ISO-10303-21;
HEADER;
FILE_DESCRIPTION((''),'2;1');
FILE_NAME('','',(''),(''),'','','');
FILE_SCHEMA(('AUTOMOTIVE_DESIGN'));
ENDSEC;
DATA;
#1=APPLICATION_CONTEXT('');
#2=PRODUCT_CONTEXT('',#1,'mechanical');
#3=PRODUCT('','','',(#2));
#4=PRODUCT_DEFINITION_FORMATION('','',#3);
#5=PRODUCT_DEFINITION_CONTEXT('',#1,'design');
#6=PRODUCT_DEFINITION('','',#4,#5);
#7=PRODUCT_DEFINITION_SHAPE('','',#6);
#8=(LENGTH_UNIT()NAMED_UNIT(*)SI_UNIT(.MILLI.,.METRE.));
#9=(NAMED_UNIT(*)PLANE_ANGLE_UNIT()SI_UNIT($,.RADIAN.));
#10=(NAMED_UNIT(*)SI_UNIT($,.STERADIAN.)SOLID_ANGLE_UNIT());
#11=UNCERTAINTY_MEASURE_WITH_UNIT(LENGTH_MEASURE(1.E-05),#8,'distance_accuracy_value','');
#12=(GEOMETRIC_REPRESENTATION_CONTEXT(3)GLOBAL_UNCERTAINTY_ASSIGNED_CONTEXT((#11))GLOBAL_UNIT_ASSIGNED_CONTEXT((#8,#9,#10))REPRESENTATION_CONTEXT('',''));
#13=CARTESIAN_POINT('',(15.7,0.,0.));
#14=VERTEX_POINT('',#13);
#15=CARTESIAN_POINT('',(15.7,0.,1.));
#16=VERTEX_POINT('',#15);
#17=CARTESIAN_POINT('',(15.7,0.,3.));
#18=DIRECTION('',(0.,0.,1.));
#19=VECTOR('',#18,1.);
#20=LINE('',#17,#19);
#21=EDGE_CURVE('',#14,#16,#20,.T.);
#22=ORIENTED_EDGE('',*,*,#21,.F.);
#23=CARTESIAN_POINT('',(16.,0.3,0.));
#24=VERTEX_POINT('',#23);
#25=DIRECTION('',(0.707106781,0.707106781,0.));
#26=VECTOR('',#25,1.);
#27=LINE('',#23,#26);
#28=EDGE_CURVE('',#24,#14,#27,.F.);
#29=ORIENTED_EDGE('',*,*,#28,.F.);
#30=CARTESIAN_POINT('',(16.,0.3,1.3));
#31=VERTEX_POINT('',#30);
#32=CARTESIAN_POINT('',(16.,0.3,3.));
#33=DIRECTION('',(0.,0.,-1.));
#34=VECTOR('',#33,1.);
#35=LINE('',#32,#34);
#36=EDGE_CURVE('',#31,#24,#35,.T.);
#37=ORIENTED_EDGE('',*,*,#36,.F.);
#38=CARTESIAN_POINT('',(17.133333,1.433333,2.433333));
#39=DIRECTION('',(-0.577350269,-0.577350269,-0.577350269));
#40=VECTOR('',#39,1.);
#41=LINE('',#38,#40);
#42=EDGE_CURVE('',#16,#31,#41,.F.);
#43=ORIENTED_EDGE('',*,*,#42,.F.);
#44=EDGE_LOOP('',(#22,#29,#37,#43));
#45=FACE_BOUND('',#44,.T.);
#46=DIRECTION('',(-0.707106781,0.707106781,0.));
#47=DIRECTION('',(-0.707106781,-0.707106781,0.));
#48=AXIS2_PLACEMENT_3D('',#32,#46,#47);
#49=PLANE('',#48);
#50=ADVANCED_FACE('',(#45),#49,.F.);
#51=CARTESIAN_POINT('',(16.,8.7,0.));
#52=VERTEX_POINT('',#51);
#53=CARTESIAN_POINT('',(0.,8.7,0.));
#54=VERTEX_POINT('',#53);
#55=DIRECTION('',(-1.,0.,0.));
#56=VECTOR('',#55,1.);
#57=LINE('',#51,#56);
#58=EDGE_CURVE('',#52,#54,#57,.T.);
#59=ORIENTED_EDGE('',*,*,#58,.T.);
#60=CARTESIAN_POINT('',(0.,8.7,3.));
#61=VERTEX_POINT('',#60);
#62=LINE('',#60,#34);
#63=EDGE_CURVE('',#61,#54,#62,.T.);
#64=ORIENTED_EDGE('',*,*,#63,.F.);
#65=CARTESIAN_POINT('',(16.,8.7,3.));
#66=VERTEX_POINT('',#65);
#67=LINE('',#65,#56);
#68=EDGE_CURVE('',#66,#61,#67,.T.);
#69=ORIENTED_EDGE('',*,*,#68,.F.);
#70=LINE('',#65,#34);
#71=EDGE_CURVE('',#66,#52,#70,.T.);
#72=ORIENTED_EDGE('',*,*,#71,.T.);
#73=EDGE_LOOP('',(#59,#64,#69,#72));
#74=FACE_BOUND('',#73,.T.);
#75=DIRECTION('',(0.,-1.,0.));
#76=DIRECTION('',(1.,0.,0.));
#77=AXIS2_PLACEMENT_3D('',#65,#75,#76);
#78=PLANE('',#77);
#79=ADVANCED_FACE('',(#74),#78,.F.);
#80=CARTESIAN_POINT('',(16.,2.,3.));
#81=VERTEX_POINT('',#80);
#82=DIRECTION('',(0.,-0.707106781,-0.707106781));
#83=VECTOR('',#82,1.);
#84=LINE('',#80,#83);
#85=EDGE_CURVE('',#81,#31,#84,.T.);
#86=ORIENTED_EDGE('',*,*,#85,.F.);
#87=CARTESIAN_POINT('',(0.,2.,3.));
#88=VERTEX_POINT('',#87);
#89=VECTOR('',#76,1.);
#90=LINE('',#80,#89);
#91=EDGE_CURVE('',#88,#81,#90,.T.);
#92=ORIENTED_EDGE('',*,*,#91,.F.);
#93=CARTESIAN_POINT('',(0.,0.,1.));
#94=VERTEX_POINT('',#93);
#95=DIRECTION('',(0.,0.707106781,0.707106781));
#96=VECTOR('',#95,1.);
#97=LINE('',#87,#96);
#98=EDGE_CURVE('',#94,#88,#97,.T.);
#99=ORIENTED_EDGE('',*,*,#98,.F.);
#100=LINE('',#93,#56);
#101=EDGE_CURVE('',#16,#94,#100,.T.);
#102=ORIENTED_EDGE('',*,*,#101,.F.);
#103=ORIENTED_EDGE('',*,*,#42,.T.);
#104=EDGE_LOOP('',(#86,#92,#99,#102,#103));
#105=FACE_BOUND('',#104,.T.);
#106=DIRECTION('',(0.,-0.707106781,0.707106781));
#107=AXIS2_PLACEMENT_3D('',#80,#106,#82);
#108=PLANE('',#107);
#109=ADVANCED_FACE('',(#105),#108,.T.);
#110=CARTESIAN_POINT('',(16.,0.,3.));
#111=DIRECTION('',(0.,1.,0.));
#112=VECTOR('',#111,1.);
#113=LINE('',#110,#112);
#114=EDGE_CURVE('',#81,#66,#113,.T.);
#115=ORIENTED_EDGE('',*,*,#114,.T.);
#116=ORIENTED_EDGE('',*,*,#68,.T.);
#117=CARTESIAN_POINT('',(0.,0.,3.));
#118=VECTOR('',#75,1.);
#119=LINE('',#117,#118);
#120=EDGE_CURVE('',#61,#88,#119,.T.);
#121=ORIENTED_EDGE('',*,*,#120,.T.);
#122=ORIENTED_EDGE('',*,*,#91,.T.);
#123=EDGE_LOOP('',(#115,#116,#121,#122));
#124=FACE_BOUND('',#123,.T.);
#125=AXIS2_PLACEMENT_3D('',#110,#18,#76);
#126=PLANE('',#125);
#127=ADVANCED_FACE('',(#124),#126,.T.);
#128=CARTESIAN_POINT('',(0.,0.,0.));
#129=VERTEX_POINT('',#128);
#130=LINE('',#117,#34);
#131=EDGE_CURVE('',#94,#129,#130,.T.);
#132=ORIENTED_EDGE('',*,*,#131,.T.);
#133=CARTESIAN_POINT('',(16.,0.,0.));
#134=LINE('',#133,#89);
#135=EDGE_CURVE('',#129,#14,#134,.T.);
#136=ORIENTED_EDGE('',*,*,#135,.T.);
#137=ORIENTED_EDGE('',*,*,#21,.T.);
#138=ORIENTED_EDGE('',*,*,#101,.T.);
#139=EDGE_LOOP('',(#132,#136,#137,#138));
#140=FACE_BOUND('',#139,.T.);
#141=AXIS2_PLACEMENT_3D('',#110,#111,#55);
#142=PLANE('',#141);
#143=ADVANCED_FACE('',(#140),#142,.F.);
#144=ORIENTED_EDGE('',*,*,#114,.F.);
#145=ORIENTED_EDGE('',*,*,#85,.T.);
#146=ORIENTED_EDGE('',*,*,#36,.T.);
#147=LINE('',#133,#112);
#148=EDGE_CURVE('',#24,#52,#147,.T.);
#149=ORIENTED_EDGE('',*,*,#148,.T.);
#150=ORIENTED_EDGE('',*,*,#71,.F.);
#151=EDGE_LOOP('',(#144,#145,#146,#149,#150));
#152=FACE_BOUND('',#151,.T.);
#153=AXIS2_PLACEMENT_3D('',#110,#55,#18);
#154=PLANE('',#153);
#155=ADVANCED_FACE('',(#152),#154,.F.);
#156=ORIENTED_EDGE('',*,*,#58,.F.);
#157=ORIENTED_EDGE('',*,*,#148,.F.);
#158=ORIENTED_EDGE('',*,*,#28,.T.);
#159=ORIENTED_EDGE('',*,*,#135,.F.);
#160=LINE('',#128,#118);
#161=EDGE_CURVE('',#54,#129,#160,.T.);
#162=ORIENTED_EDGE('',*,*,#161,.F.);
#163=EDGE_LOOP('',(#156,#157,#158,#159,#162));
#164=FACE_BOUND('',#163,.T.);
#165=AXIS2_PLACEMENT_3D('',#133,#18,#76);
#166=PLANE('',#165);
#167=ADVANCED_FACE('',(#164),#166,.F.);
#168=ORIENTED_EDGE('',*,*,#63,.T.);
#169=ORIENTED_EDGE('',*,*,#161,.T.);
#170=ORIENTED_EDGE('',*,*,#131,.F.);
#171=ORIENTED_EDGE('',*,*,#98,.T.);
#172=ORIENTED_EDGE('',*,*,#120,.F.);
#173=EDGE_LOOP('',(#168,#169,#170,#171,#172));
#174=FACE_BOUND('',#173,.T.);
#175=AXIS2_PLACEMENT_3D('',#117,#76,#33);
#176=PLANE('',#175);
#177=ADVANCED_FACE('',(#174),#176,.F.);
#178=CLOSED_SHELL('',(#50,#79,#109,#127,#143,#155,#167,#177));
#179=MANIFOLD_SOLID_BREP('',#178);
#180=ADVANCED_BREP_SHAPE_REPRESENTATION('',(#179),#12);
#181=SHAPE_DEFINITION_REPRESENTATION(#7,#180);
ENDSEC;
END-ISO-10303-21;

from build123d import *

# Parameters (mm, degrees)
SKETCH_1_W      = 16
SKETCH_1_H      = 8.7
EXTRUDE_1_DEPTH = 3
CHAMFER_3_SIZE  = 2
CHAMFER_4_SIZE  = 0.3


with BuildPart() as part:
    # Эскиз1 → Вытянуть1 (new body)
    with BuildSketch(Plane.XY):
        with Locations((8, 4.35)):
            Rectangle(SKETCH_1_W, SKETCH_1_H)
    extrude(amount=EXTRUDE_1_DEPTH)

    # Фаска3
    chamfer_3_edges = [part.edges().sort_by_distance(p)[0] for p in [
        (8, 0, 3),
    ]]
    chamfer(chamfer_3_edges, length=CHAMFER_3_SIZE)

    # Фаска4
    chamfer_4_edges = [part.edges().sort_by_distance(p)[0] for p in [
        (16, 0, 0.5),
    ]]
    chamfer(chamfer_4_edges, length=CHAMFER_4_SIZE)


solid = part.part
